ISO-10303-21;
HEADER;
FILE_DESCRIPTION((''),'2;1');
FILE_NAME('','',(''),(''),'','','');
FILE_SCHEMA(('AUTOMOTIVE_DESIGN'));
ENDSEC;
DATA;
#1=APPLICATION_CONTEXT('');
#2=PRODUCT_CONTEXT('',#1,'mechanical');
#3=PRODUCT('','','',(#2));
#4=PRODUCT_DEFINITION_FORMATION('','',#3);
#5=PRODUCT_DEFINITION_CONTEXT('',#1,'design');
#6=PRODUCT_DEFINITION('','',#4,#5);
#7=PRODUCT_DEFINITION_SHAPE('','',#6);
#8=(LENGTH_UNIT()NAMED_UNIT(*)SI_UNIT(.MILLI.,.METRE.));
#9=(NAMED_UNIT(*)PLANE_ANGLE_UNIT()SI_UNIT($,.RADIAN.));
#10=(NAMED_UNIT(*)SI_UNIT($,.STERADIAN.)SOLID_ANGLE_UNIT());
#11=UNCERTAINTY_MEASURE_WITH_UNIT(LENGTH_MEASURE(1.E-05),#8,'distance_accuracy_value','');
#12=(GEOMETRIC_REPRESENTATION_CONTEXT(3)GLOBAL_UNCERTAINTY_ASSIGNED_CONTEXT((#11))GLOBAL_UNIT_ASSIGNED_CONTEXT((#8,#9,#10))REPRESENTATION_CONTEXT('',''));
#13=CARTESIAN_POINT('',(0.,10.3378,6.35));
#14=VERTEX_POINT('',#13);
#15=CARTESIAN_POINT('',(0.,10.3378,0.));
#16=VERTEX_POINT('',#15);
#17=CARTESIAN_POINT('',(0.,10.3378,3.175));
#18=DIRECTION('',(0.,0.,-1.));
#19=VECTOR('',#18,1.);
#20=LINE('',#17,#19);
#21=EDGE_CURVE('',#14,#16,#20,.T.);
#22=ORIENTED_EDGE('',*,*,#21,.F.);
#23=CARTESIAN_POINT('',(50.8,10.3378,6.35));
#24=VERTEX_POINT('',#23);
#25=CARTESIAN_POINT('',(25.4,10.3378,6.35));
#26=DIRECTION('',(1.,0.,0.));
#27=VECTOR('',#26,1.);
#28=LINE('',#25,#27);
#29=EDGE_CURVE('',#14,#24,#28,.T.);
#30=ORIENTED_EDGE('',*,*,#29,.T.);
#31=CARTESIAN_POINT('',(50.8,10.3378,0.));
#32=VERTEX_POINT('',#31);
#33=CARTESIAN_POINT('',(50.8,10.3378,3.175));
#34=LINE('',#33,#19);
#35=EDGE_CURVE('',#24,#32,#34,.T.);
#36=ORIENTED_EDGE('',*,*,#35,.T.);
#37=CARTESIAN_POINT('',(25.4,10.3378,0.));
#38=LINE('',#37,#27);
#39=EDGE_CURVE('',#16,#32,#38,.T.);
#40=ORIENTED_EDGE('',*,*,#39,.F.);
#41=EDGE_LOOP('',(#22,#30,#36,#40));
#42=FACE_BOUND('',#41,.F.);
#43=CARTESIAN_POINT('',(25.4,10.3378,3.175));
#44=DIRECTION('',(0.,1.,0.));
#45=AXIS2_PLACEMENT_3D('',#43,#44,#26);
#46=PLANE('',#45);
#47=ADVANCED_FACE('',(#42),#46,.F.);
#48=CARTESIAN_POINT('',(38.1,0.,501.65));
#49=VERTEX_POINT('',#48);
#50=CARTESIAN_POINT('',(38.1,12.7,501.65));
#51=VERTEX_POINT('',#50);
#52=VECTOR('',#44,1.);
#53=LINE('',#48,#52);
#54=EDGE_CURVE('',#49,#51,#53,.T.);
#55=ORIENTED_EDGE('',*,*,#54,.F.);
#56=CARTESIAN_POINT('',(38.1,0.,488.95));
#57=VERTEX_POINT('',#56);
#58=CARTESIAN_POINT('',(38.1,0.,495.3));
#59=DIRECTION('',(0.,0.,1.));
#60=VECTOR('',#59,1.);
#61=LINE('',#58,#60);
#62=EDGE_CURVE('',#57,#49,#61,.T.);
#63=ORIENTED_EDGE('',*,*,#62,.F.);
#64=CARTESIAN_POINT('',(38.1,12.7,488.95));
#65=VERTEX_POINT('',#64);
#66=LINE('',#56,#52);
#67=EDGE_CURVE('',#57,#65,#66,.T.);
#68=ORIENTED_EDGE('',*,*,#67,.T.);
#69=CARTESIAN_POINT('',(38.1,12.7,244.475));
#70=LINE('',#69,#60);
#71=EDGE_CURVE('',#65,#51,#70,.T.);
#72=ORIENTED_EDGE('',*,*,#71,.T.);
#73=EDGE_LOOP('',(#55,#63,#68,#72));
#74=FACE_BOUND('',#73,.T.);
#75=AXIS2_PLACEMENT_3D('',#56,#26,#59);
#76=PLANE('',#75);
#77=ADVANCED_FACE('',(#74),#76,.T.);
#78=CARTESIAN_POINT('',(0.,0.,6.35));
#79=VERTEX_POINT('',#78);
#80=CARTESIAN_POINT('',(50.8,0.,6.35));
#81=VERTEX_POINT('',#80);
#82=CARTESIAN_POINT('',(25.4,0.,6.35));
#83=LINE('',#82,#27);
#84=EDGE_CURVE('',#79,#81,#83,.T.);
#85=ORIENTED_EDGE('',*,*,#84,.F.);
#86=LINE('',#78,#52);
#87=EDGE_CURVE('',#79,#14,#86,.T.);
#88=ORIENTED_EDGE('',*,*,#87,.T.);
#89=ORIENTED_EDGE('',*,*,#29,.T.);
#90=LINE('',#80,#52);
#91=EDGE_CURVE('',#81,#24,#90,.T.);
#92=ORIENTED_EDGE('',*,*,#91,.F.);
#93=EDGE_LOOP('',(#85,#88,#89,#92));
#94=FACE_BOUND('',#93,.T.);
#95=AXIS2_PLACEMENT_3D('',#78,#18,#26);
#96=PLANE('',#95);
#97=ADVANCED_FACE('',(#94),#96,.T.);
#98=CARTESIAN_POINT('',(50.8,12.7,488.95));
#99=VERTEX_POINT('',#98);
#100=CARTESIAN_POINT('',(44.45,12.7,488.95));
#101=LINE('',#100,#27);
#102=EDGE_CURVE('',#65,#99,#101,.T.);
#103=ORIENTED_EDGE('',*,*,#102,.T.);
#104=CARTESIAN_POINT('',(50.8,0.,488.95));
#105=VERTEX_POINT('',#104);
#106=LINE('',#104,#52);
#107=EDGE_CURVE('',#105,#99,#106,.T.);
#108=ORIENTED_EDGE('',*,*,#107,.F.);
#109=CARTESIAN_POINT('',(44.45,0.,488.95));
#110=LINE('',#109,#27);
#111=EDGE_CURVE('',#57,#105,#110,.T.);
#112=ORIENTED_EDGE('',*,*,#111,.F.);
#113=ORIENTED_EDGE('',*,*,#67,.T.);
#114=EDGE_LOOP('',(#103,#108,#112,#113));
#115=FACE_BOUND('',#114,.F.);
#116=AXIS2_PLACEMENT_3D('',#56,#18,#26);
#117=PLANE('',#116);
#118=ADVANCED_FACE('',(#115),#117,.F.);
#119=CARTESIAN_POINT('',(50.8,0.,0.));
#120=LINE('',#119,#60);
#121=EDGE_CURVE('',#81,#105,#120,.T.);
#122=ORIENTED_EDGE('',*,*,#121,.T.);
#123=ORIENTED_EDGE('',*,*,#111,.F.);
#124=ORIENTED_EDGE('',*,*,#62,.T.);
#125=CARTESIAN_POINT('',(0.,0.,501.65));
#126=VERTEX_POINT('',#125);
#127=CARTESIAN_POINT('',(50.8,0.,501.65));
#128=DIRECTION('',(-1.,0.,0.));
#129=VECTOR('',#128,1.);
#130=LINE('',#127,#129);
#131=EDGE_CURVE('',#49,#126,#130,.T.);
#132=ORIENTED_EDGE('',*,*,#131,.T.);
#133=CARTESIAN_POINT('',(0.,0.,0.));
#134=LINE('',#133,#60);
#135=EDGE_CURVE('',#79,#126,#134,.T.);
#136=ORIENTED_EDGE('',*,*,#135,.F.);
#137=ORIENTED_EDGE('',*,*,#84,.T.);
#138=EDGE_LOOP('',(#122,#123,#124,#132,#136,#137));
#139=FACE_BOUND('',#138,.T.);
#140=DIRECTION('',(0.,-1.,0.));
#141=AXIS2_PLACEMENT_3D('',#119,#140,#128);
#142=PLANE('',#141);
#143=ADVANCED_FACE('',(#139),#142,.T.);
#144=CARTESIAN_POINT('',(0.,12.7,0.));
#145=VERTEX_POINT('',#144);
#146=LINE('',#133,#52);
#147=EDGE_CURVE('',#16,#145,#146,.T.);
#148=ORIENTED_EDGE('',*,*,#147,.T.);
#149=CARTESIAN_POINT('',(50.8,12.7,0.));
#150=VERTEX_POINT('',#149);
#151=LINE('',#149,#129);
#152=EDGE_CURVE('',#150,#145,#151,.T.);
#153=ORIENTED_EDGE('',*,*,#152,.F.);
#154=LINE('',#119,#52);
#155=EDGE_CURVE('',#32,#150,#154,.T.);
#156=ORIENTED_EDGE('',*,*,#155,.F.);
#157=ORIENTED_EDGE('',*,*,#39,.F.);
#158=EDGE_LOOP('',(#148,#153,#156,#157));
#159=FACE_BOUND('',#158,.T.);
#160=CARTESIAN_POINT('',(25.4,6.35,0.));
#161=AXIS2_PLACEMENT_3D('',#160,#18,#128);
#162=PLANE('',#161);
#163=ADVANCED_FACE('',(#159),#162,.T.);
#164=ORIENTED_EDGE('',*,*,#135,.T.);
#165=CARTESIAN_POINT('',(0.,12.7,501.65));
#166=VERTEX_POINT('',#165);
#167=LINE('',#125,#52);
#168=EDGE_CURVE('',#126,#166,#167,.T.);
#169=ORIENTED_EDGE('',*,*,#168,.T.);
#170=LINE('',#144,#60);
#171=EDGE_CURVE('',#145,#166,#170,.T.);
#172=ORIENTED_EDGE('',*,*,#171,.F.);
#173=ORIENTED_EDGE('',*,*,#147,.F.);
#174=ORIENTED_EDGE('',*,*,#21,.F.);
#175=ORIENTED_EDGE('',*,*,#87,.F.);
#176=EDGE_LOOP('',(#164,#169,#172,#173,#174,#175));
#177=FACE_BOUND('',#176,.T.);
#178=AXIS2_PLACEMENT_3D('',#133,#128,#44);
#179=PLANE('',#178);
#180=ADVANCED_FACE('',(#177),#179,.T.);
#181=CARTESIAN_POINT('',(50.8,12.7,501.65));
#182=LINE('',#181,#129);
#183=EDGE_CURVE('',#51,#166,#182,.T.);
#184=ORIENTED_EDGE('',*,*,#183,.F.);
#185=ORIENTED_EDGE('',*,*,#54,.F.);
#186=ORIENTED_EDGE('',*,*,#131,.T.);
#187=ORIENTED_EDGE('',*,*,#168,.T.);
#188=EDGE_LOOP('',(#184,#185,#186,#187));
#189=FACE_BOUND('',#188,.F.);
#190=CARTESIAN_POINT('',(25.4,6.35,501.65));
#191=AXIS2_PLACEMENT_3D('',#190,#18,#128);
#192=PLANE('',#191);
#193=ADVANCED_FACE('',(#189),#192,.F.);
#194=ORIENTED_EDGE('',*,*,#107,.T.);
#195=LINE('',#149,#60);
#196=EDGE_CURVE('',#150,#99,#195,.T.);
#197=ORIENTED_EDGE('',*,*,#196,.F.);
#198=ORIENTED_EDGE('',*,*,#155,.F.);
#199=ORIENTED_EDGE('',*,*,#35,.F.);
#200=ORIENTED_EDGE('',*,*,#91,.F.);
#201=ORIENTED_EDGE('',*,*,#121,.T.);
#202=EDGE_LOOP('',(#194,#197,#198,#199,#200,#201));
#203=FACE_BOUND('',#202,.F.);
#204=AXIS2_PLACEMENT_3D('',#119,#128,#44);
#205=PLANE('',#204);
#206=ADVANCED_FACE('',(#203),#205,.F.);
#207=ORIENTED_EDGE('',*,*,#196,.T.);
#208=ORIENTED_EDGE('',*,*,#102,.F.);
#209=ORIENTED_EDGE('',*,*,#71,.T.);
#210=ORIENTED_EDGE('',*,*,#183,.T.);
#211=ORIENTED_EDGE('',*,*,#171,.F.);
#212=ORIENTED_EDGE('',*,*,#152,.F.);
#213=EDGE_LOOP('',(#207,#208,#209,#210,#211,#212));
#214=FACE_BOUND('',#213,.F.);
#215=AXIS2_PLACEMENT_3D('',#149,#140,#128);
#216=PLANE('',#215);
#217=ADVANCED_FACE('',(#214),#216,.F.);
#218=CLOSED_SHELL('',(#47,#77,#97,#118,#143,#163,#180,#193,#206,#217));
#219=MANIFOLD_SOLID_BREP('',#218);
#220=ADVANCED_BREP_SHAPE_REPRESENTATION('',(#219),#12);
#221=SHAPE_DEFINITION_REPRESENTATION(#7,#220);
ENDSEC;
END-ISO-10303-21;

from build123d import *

# Parameters (mm, degrees)
BOSS_EXTRUDE1_DEPTH = 501.65
SKETCH3_W           = 50.8
SKETCH3_H           = 6.35
CUT_EXTRUDE1_DEPTH  = 10.3378
SKETCH4_W           = 12.7
SKETCH4_H           = 12.7
CUT_EXTRUDE4_DEPTH  = 13.7


with BuildPart() as part:
    # Sketch1 → Boss-Extrude1 (new body)
    with BuildSketch(Plane.XY):
        Polygon((0, 12.7), (38.1, 12.7), (50.8, 12.7), (50.8, 6.35), (50.8, 0), (0, 0), align=None)
    extrude(amount=BOSS_EXTRUDE1_DEPTH)

    # Sketch3 → Cut-Extrude1 (cut)
    with BuildSketch(Plane(origin=(0, 0, 0), x_dir=(1, 0, 0), z_dir=(0, 1, 0))):
        with Locations((25.4, -3.175)):
            Rectangle(SKETCH3_W, SKETCH3_H)
    extrude(amount=CUT_EXTRUDE1_DEPTH, mode=Mode.SUBTRACT)

    # Sketch4 → Cut-Extrude4 (cut, through all)
    with BuildSketch(Plane.XZ):
        with Locations((44.45, 495.3)):
            Rectangle(SKETCH4_W, SKETCH4_H)
    extrude(amount=-CUT_EXTRUDE4_DEPTH, mode=Mode.SUBTRACT)


solid = part.part
